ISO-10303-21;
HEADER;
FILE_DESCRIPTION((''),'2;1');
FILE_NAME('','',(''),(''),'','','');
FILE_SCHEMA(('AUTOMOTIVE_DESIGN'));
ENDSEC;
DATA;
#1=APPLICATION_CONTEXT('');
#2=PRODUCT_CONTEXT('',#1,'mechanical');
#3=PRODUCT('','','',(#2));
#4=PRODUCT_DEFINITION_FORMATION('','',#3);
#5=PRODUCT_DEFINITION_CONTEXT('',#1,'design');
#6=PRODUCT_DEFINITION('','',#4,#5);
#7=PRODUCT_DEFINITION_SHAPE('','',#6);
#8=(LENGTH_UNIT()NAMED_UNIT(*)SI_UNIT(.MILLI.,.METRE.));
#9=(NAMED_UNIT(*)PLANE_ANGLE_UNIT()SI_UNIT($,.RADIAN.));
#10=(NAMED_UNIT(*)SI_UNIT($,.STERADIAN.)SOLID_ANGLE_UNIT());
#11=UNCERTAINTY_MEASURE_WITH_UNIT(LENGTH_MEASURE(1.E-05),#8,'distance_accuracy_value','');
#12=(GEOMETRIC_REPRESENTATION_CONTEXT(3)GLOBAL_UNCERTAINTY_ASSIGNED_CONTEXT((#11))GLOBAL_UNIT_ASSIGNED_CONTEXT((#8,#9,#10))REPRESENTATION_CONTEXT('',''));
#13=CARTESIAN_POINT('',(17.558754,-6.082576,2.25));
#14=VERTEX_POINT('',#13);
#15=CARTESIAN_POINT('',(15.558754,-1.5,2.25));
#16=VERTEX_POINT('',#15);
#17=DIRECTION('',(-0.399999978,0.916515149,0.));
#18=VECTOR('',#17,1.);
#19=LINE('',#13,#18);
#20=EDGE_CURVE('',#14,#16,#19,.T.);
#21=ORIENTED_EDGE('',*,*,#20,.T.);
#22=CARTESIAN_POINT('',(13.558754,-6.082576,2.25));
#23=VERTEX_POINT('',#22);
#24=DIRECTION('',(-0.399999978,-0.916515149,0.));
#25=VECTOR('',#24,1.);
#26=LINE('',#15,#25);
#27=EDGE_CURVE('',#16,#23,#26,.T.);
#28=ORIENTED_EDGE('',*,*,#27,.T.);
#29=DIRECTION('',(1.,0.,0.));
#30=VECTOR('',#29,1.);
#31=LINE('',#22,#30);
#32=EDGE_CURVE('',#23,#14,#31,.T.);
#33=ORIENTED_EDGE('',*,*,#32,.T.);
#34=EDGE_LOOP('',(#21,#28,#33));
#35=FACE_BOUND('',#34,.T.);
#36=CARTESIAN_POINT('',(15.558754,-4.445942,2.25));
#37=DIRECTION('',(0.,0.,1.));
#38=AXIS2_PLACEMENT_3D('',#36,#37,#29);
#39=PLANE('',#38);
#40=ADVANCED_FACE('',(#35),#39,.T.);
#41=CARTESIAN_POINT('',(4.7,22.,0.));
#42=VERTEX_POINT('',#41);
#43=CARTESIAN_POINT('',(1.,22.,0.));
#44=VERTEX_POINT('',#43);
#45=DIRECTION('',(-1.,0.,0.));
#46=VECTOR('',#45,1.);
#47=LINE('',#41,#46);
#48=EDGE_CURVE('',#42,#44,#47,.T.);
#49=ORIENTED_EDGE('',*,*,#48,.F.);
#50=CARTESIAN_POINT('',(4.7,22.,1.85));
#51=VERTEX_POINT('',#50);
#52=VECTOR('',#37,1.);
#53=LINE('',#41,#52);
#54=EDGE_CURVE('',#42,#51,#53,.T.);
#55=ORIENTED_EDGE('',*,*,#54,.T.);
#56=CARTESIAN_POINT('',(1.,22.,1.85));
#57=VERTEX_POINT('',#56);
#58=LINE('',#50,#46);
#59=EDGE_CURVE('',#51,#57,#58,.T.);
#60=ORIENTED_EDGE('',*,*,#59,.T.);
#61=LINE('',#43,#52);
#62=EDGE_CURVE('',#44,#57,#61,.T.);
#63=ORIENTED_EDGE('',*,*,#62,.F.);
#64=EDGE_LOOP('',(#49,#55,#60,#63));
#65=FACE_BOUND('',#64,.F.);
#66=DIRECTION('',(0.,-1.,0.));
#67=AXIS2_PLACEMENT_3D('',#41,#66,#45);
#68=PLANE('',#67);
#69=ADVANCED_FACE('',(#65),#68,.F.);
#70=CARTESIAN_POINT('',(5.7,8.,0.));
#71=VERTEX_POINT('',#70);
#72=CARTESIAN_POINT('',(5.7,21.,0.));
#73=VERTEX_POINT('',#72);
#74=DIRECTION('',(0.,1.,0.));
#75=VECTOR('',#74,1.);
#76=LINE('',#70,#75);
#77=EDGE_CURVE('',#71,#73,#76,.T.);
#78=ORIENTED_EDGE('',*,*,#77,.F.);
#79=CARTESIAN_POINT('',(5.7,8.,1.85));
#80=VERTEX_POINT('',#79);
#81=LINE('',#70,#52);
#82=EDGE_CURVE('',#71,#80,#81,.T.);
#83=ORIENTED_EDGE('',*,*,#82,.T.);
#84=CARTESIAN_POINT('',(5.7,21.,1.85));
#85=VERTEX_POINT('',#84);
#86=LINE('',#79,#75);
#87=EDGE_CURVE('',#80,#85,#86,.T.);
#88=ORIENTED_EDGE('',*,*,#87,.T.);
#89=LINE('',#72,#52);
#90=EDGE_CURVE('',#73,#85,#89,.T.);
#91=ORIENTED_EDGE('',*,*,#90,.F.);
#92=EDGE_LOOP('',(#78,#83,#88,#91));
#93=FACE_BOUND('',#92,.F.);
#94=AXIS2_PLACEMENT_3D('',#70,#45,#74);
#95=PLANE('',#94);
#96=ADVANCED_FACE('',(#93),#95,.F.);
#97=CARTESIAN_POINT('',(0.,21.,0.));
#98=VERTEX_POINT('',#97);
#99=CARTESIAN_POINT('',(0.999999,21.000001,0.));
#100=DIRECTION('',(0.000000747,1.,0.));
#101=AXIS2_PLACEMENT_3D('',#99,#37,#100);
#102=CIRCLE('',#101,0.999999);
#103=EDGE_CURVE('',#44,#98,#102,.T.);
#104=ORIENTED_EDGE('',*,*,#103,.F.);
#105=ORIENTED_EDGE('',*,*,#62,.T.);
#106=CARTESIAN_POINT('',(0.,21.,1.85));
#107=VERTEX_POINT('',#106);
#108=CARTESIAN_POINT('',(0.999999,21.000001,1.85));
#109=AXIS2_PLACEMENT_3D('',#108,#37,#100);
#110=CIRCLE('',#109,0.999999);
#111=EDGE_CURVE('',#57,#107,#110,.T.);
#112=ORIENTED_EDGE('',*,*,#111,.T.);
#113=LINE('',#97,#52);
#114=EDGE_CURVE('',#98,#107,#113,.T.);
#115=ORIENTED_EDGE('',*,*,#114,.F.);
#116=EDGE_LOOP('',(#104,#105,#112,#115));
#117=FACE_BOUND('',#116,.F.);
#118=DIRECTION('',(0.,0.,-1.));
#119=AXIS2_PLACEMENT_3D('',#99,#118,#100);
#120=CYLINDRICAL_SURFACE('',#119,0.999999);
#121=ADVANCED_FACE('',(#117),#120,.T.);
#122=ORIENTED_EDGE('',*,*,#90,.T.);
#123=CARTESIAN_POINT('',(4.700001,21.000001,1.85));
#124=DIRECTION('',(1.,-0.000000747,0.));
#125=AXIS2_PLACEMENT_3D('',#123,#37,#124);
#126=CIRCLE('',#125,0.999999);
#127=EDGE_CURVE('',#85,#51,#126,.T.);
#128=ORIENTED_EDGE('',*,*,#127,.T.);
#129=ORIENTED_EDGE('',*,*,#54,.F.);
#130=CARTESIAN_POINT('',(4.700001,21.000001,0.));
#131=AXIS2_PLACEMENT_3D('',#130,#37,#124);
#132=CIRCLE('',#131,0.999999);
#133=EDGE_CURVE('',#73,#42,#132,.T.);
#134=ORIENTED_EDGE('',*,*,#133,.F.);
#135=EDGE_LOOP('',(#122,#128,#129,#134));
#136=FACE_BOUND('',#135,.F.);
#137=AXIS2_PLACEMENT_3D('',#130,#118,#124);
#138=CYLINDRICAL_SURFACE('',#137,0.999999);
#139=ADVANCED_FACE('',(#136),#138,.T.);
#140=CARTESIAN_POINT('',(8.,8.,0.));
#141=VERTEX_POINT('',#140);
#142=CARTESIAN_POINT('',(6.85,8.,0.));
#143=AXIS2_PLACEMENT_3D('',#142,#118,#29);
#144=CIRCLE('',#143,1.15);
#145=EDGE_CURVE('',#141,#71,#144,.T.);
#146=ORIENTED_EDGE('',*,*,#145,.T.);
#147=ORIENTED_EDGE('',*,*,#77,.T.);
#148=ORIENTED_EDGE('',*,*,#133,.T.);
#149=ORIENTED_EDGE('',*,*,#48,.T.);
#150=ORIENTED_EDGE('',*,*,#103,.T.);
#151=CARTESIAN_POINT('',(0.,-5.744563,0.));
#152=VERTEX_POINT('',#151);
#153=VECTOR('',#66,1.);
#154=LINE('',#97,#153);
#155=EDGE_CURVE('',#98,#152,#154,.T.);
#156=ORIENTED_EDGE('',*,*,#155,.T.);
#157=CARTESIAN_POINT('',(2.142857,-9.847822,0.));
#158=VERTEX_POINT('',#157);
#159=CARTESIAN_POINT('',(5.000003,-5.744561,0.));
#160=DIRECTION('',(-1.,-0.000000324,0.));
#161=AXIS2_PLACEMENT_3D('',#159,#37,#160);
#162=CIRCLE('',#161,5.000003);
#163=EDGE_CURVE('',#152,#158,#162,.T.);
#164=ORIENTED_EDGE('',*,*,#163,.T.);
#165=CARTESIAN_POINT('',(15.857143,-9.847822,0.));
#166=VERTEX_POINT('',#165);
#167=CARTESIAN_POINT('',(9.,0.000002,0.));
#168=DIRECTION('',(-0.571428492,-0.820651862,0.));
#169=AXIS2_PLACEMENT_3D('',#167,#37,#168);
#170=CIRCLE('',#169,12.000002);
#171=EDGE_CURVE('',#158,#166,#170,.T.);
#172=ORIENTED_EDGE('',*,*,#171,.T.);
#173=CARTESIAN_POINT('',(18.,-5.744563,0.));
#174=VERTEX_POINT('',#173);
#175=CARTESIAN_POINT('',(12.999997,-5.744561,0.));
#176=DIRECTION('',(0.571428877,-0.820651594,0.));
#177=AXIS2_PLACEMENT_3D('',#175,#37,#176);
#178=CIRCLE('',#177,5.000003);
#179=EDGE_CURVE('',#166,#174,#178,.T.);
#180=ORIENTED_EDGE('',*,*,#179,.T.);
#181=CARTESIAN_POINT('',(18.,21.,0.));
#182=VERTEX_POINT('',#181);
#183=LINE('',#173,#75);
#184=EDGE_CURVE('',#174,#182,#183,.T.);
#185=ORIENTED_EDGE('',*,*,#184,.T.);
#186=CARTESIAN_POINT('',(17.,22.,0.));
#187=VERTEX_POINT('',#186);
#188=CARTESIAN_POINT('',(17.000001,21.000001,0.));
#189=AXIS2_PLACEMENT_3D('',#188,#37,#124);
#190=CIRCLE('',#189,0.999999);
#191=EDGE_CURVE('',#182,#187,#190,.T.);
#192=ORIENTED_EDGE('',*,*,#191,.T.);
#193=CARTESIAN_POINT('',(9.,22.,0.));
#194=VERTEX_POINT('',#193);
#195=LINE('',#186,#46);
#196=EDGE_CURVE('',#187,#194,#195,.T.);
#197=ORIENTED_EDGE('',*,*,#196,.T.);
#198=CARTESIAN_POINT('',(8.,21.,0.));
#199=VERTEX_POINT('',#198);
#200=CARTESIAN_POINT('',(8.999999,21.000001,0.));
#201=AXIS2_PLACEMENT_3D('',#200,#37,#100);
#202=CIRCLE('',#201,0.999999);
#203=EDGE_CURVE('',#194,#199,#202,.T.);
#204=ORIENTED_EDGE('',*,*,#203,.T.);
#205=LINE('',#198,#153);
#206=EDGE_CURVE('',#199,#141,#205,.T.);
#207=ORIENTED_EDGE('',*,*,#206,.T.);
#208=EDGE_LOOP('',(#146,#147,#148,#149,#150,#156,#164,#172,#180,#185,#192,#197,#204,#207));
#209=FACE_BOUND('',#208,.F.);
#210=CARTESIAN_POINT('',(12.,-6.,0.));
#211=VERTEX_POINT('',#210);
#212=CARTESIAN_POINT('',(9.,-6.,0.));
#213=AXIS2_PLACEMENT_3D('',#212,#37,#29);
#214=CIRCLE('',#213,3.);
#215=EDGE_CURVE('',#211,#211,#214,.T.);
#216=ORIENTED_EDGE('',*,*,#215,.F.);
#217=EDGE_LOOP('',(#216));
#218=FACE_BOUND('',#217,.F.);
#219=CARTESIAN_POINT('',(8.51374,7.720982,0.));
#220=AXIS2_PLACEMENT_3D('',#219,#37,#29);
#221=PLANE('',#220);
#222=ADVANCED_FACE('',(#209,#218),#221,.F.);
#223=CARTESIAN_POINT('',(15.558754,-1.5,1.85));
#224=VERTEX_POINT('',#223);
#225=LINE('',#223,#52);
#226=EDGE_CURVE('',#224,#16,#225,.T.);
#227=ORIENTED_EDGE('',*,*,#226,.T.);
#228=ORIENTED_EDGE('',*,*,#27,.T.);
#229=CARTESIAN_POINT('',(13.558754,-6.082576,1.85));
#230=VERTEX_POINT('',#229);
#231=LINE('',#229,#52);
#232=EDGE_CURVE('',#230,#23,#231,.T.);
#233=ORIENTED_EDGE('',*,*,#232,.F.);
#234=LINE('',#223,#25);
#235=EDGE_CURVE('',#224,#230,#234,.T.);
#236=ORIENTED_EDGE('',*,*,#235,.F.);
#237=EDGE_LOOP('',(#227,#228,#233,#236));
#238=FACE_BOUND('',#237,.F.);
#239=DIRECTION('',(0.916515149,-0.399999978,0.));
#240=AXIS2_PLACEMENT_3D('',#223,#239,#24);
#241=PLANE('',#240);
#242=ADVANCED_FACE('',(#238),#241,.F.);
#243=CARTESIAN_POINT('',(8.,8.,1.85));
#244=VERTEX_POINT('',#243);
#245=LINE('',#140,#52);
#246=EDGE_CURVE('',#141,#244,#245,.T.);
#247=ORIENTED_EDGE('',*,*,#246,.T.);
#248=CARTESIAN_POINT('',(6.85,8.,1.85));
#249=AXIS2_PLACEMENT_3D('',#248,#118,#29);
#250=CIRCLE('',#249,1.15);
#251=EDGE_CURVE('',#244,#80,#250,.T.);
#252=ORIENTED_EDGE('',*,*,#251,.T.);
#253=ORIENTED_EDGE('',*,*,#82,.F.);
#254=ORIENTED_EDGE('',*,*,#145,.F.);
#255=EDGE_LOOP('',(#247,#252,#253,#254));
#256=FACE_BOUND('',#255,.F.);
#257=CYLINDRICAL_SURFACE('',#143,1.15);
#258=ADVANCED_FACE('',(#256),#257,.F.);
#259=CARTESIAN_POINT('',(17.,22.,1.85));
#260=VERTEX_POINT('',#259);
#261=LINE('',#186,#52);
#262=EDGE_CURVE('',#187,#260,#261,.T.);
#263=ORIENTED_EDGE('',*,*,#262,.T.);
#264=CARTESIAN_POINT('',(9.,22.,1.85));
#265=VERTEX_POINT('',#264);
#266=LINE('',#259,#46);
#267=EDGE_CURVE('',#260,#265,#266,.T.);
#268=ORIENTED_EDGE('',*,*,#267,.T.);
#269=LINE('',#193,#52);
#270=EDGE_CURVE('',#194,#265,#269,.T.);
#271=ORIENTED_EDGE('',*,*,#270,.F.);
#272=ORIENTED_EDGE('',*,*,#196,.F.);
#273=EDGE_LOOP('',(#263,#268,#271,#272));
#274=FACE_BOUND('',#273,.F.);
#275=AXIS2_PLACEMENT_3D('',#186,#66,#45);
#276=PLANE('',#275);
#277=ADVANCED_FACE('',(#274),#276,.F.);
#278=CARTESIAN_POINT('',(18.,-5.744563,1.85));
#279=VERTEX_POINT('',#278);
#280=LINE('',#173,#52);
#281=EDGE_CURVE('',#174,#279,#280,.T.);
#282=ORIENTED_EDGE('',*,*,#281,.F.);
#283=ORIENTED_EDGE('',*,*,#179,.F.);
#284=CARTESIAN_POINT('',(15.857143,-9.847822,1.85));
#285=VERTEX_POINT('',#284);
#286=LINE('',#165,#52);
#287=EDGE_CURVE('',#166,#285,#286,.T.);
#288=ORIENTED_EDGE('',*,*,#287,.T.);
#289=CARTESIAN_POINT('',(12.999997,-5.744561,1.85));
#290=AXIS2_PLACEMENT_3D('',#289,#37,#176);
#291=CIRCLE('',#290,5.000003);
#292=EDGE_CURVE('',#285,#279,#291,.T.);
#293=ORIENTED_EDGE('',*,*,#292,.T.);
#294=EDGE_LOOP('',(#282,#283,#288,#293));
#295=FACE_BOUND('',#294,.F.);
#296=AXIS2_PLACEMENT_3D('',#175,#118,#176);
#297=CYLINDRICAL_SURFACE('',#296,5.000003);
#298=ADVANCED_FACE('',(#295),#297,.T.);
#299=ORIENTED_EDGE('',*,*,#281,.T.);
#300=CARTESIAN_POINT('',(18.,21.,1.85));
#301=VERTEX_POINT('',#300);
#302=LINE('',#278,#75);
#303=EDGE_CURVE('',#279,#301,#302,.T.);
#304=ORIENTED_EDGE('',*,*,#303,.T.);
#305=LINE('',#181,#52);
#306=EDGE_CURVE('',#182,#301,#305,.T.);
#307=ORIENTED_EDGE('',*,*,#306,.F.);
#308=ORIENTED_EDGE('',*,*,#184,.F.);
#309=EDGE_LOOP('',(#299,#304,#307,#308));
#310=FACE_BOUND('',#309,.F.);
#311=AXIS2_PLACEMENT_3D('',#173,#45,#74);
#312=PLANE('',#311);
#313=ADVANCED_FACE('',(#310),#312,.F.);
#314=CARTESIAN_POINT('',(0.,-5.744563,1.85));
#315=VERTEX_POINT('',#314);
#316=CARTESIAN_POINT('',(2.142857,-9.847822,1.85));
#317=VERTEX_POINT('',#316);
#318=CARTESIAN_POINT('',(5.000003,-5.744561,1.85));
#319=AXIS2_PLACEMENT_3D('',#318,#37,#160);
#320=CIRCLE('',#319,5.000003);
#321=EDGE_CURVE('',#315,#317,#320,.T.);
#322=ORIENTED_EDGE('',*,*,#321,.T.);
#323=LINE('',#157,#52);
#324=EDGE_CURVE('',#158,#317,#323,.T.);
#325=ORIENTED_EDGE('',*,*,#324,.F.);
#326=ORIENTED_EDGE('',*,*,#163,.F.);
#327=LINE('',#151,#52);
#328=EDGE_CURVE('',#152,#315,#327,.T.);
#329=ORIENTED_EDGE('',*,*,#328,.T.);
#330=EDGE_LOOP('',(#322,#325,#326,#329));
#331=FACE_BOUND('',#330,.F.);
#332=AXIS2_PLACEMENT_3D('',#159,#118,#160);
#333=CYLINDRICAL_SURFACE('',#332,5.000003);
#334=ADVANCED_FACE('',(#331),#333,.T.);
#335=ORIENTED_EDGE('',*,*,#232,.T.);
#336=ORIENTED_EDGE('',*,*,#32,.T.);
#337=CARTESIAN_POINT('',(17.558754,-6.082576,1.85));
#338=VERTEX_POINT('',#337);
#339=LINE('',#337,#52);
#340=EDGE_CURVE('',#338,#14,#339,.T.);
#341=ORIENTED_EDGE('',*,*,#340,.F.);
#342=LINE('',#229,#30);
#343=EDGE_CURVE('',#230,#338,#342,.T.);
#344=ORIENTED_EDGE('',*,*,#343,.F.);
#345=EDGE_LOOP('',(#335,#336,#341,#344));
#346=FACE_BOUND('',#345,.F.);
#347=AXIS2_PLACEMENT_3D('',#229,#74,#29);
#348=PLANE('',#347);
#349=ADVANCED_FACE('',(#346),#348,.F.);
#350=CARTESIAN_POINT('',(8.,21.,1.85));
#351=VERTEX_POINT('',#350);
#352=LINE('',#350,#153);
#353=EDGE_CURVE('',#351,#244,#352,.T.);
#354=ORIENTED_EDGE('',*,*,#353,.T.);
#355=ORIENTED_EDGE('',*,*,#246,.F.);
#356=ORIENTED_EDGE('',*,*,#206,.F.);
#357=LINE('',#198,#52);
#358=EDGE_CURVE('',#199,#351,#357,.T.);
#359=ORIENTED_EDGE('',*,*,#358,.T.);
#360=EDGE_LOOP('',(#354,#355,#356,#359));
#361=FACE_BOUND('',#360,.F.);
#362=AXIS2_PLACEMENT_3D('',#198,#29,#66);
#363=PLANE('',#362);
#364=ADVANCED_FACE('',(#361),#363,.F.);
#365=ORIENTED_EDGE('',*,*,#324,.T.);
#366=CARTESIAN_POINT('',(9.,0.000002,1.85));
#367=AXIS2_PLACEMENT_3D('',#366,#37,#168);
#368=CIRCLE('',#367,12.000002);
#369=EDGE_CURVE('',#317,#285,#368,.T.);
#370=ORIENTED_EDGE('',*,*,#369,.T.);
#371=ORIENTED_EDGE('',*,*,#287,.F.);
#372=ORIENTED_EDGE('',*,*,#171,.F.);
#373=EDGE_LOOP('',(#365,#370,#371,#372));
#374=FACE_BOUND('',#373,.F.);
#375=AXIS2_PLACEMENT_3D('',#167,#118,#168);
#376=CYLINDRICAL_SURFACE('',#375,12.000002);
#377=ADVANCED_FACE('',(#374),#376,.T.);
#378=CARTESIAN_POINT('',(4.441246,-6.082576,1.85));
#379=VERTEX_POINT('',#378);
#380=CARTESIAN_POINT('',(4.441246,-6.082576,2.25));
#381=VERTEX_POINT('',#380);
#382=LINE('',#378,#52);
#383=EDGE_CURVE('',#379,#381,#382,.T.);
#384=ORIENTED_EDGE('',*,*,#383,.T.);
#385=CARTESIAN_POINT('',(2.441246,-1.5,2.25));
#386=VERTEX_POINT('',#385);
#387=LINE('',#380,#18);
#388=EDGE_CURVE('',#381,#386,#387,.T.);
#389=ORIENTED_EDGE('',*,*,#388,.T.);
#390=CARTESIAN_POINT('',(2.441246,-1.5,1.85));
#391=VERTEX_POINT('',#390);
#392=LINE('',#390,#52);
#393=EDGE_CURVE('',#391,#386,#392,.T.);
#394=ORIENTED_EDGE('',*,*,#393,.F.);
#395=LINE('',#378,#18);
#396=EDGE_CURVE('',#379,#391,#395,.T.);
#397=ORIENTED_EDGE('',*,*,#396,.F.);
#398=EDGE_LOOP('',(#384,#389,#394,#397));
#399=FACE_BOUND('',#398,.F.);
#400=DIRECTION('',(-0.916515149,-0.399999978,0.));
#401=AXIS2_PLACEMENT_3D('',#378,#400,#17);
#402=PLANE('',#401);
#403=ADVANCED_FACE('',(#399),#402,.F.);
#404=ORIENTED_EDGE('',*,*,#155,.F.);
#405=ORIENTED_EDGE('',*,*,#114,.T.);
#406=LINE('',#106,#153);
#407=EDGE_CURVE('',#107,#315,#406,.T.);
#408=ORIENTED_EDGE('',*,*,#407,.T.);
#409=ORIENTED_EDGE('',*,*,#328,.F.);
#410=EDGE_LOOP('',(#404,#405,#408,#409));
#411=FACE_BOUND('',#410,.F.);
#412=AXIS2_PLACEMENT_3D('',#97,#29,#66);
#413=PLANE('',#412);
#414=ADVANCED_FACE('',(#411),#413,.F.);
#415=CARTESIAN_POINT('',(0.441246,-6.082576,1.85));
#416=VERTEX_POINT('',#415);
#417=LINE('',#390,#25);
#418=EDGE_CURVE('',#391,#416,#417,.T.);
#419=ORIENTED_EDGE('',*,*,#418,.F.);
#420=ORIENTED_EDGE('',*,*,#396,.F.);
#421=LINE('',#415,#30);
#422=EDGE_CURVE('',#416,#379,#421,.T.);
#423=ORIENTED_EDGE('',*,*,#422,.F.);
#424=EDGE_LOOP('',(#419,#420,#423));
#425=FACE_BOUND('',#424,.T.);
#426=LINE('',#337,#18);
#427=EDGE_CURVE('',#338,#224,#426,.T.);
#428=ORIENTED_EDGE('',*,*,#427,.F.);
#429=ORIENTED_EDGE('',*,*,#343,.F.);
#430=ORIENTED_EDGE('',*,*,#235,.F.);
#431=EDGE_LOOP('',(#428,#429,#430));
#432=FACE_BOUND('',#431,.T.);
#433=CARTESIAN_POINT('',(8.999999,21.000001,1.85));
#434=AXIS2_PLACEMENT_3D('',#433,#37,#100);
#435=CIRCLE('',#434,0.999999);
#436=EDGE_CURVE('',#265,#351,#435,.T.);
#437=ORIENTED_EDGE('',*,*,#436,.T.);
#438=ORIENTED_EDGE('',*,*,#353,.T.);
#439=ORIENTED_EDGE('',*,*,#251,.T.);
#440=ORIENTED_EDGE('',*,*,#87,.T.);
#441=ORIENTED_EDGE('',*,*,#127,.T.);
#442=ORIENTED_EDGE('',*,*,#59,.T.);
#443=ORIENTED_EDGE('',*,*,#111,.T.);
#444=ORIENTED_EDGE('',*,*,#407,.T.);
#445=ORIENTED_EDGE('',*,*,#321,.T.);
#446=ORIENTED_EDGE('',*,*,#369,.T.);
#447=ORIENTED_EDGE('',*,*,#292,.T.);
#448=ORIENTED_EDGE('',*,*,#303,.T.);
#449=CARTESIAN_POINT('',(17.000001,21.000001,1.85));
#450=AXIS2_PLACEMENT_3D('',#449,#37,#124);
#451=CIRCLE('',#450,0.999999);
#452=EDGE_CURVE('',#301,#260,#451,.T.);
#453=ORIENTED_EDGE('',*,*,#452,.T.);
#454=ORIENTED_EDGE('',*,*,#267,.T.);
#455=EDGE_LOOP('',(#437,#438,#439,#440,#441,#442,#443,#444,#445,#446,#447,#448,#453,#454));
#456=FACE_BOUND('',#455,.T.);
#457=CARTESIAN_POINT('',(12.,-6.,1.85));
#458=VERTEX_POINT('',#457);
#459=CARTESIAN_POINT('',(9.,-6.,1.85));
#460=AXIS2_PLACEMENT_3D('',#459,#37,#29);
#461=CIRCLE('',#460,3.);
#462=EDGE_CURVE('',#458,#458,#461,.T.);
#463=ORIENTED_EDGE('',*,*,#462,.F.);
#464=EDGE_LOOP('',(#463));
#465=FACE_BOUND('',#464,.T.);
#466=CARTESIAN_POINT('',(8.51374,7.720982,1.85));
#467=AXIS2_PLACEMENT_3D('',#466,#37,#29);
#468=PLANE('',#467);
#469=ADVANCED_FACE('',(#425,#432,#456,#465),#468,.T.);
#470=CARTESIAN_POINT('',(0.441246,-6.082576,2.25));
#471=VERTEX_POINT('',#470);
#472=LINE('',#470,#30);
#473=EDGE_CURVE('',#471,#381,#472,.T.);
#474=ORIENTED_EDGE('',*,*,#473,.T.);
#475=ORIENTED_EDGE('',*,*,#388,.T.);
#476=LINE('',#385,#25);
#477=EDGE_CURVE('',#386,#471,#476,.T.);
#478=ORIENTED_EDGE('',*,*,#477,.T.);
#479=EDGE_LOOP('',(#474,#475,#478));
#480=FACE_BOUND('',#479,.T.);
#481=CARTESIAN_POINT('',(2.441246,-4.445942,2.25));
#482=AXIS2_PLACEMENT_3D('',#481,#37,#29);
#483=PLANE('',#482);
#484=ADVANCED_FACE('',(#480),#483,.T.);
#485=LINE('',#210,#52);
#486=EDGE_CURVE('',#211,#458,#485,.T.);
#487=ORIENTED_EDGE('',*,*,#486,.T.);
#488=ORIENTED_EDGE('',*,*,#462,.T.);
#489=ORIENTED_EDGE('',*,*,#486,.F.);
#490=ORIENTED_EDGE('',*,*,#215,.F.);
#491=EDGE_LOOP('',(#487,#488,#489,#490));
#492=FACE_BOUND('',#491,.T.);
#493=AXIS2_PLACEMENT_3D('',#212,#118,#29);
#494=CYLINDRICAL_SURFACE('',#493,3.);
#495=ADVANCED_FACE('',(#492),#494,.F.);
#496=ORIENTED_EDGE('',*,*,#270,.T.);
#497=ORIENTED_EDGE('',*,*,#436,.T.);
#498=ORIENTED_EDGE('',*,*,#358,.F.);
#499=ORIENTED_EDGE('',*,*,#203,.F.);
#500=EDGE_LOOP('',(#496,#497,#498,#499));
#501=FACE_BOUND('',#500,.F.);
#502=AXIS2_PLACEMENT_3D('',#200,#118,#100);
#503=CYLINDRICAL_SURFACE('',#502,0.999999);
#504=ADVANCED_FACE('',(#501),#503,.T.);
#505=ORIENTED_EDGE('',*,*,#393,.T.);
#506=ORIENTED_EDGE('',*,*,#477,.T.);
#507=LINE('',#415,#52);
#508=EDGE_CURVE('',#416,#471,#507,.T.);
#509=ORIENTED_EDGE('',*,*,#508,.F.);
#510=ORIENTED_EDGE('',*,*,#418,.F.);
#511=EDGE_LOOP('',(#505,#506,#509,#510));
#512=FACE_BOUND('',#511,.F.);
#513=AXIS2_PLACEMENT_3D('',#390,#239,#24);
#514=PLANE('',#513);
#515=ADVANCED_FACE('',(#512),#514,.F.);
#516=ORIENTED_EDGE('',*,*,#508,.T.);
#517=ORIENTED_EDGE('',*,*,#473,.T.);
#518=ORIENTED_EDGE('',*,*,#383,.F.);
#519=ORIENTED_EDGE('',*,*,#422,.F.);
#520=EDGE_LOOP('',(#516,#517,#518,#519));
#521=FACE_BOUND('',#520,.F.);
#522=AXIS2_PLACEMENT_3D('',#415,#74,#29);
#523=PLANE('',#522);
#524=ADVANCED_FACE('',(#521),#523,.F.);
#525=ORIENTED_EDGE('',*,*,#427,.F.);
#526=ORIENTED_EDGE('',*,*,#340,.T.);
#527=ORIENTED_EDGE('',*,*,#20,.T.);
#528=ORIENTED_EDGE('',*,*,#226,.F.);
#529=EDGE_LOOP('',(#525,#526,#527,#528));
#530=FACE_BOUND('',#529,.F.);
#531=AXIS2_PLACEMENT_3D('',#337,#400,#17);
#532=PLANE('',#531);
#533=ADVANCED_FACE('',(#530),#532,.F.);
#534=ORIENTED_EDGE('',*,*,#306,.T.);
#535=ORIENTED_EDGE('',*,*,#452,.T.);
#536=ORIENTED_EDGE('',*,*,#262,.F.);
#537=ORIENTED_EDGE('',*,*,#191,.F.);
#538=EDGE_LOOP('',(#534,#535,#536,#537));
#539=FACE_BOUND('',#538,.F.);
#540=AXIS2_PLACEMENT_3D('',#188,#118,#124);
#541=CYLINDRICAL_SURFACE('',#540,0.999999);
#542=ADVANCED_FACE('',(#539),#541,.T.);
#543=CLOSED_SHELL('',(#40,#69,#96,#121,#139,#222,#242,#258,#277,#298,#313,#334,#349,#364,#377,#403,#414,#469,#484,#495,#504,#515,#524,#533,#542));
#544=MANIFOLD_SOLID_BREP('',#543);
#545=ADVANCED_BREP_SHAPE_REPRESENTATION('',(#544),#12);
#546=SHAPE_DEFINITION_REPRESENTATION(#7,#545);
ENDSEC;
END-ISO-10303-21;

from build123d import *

# Parameters (mm, degrees)
F0_R     = 3
F1_DEPTH = 1.85
F3_DEPTH = 0.4


with BuildPart() as f1:
    # F0 (on Top) → F1 (new body)
    with BuildSketch(Plane.XY):
        with BuildLine():
            Line((4.7, 22), (1, 22))
            ThreePointArc((1, 22), (0.292893, 21.707107), (0, 21))
            Line((0, 21), (0, 1))
            Line((0, 1), (0, -5.744563))
            ThreePointArc((0, -5.744563), (0.567974, -8.059113), (2.142857, -9.847822))
            ThreePointArc((2.142857, -9.847822), (9, -12), (15.857143, -9.847822))
            ThreePointArc((15.857143, -9.847822), (17.432026, -8.059113), (18, -5.744563))
            Line((18, -5.744563), (18, 1))
            Line((18, 1), (18, 21))
            ThreePointArc((18, 21), (17.707107, 21.707107), (17, 22))
            Line((17, 22), (9, 22))
            ThreePointArc((9, 22), (8.292893, 21.707107), (8, 21))
            Line((8, 21), (8, 8))
            ThreePointArc((8, 8), (6.85, 6.85), (5.7, 8))
            Line((5.7, 8), (5.7, 21))
            ThreePointArc((5.7, 21), (5.407107, 21.707107), (4.7, 22))
        make_face()
        with Locations((9, -6)):
            Circle(F0_R, mode=Mode.SUBTRACT)
    extrude(amount=F1_DEPTH)

    # F2 (on face) → F3 (join)
    with BuildSketch(Plane.XY.offset(1.85)):
        Polygon((2.441246, -1.5), (0.441246, -6.082576), (4.441246, -6.082576), align=None)
        Polygon((15.558754, -1.5), (13.558754, -6.082576), (17.558754, -6.082576), align=None)
    extrude(amount=F3_DEPTH)


solid = f1.part
